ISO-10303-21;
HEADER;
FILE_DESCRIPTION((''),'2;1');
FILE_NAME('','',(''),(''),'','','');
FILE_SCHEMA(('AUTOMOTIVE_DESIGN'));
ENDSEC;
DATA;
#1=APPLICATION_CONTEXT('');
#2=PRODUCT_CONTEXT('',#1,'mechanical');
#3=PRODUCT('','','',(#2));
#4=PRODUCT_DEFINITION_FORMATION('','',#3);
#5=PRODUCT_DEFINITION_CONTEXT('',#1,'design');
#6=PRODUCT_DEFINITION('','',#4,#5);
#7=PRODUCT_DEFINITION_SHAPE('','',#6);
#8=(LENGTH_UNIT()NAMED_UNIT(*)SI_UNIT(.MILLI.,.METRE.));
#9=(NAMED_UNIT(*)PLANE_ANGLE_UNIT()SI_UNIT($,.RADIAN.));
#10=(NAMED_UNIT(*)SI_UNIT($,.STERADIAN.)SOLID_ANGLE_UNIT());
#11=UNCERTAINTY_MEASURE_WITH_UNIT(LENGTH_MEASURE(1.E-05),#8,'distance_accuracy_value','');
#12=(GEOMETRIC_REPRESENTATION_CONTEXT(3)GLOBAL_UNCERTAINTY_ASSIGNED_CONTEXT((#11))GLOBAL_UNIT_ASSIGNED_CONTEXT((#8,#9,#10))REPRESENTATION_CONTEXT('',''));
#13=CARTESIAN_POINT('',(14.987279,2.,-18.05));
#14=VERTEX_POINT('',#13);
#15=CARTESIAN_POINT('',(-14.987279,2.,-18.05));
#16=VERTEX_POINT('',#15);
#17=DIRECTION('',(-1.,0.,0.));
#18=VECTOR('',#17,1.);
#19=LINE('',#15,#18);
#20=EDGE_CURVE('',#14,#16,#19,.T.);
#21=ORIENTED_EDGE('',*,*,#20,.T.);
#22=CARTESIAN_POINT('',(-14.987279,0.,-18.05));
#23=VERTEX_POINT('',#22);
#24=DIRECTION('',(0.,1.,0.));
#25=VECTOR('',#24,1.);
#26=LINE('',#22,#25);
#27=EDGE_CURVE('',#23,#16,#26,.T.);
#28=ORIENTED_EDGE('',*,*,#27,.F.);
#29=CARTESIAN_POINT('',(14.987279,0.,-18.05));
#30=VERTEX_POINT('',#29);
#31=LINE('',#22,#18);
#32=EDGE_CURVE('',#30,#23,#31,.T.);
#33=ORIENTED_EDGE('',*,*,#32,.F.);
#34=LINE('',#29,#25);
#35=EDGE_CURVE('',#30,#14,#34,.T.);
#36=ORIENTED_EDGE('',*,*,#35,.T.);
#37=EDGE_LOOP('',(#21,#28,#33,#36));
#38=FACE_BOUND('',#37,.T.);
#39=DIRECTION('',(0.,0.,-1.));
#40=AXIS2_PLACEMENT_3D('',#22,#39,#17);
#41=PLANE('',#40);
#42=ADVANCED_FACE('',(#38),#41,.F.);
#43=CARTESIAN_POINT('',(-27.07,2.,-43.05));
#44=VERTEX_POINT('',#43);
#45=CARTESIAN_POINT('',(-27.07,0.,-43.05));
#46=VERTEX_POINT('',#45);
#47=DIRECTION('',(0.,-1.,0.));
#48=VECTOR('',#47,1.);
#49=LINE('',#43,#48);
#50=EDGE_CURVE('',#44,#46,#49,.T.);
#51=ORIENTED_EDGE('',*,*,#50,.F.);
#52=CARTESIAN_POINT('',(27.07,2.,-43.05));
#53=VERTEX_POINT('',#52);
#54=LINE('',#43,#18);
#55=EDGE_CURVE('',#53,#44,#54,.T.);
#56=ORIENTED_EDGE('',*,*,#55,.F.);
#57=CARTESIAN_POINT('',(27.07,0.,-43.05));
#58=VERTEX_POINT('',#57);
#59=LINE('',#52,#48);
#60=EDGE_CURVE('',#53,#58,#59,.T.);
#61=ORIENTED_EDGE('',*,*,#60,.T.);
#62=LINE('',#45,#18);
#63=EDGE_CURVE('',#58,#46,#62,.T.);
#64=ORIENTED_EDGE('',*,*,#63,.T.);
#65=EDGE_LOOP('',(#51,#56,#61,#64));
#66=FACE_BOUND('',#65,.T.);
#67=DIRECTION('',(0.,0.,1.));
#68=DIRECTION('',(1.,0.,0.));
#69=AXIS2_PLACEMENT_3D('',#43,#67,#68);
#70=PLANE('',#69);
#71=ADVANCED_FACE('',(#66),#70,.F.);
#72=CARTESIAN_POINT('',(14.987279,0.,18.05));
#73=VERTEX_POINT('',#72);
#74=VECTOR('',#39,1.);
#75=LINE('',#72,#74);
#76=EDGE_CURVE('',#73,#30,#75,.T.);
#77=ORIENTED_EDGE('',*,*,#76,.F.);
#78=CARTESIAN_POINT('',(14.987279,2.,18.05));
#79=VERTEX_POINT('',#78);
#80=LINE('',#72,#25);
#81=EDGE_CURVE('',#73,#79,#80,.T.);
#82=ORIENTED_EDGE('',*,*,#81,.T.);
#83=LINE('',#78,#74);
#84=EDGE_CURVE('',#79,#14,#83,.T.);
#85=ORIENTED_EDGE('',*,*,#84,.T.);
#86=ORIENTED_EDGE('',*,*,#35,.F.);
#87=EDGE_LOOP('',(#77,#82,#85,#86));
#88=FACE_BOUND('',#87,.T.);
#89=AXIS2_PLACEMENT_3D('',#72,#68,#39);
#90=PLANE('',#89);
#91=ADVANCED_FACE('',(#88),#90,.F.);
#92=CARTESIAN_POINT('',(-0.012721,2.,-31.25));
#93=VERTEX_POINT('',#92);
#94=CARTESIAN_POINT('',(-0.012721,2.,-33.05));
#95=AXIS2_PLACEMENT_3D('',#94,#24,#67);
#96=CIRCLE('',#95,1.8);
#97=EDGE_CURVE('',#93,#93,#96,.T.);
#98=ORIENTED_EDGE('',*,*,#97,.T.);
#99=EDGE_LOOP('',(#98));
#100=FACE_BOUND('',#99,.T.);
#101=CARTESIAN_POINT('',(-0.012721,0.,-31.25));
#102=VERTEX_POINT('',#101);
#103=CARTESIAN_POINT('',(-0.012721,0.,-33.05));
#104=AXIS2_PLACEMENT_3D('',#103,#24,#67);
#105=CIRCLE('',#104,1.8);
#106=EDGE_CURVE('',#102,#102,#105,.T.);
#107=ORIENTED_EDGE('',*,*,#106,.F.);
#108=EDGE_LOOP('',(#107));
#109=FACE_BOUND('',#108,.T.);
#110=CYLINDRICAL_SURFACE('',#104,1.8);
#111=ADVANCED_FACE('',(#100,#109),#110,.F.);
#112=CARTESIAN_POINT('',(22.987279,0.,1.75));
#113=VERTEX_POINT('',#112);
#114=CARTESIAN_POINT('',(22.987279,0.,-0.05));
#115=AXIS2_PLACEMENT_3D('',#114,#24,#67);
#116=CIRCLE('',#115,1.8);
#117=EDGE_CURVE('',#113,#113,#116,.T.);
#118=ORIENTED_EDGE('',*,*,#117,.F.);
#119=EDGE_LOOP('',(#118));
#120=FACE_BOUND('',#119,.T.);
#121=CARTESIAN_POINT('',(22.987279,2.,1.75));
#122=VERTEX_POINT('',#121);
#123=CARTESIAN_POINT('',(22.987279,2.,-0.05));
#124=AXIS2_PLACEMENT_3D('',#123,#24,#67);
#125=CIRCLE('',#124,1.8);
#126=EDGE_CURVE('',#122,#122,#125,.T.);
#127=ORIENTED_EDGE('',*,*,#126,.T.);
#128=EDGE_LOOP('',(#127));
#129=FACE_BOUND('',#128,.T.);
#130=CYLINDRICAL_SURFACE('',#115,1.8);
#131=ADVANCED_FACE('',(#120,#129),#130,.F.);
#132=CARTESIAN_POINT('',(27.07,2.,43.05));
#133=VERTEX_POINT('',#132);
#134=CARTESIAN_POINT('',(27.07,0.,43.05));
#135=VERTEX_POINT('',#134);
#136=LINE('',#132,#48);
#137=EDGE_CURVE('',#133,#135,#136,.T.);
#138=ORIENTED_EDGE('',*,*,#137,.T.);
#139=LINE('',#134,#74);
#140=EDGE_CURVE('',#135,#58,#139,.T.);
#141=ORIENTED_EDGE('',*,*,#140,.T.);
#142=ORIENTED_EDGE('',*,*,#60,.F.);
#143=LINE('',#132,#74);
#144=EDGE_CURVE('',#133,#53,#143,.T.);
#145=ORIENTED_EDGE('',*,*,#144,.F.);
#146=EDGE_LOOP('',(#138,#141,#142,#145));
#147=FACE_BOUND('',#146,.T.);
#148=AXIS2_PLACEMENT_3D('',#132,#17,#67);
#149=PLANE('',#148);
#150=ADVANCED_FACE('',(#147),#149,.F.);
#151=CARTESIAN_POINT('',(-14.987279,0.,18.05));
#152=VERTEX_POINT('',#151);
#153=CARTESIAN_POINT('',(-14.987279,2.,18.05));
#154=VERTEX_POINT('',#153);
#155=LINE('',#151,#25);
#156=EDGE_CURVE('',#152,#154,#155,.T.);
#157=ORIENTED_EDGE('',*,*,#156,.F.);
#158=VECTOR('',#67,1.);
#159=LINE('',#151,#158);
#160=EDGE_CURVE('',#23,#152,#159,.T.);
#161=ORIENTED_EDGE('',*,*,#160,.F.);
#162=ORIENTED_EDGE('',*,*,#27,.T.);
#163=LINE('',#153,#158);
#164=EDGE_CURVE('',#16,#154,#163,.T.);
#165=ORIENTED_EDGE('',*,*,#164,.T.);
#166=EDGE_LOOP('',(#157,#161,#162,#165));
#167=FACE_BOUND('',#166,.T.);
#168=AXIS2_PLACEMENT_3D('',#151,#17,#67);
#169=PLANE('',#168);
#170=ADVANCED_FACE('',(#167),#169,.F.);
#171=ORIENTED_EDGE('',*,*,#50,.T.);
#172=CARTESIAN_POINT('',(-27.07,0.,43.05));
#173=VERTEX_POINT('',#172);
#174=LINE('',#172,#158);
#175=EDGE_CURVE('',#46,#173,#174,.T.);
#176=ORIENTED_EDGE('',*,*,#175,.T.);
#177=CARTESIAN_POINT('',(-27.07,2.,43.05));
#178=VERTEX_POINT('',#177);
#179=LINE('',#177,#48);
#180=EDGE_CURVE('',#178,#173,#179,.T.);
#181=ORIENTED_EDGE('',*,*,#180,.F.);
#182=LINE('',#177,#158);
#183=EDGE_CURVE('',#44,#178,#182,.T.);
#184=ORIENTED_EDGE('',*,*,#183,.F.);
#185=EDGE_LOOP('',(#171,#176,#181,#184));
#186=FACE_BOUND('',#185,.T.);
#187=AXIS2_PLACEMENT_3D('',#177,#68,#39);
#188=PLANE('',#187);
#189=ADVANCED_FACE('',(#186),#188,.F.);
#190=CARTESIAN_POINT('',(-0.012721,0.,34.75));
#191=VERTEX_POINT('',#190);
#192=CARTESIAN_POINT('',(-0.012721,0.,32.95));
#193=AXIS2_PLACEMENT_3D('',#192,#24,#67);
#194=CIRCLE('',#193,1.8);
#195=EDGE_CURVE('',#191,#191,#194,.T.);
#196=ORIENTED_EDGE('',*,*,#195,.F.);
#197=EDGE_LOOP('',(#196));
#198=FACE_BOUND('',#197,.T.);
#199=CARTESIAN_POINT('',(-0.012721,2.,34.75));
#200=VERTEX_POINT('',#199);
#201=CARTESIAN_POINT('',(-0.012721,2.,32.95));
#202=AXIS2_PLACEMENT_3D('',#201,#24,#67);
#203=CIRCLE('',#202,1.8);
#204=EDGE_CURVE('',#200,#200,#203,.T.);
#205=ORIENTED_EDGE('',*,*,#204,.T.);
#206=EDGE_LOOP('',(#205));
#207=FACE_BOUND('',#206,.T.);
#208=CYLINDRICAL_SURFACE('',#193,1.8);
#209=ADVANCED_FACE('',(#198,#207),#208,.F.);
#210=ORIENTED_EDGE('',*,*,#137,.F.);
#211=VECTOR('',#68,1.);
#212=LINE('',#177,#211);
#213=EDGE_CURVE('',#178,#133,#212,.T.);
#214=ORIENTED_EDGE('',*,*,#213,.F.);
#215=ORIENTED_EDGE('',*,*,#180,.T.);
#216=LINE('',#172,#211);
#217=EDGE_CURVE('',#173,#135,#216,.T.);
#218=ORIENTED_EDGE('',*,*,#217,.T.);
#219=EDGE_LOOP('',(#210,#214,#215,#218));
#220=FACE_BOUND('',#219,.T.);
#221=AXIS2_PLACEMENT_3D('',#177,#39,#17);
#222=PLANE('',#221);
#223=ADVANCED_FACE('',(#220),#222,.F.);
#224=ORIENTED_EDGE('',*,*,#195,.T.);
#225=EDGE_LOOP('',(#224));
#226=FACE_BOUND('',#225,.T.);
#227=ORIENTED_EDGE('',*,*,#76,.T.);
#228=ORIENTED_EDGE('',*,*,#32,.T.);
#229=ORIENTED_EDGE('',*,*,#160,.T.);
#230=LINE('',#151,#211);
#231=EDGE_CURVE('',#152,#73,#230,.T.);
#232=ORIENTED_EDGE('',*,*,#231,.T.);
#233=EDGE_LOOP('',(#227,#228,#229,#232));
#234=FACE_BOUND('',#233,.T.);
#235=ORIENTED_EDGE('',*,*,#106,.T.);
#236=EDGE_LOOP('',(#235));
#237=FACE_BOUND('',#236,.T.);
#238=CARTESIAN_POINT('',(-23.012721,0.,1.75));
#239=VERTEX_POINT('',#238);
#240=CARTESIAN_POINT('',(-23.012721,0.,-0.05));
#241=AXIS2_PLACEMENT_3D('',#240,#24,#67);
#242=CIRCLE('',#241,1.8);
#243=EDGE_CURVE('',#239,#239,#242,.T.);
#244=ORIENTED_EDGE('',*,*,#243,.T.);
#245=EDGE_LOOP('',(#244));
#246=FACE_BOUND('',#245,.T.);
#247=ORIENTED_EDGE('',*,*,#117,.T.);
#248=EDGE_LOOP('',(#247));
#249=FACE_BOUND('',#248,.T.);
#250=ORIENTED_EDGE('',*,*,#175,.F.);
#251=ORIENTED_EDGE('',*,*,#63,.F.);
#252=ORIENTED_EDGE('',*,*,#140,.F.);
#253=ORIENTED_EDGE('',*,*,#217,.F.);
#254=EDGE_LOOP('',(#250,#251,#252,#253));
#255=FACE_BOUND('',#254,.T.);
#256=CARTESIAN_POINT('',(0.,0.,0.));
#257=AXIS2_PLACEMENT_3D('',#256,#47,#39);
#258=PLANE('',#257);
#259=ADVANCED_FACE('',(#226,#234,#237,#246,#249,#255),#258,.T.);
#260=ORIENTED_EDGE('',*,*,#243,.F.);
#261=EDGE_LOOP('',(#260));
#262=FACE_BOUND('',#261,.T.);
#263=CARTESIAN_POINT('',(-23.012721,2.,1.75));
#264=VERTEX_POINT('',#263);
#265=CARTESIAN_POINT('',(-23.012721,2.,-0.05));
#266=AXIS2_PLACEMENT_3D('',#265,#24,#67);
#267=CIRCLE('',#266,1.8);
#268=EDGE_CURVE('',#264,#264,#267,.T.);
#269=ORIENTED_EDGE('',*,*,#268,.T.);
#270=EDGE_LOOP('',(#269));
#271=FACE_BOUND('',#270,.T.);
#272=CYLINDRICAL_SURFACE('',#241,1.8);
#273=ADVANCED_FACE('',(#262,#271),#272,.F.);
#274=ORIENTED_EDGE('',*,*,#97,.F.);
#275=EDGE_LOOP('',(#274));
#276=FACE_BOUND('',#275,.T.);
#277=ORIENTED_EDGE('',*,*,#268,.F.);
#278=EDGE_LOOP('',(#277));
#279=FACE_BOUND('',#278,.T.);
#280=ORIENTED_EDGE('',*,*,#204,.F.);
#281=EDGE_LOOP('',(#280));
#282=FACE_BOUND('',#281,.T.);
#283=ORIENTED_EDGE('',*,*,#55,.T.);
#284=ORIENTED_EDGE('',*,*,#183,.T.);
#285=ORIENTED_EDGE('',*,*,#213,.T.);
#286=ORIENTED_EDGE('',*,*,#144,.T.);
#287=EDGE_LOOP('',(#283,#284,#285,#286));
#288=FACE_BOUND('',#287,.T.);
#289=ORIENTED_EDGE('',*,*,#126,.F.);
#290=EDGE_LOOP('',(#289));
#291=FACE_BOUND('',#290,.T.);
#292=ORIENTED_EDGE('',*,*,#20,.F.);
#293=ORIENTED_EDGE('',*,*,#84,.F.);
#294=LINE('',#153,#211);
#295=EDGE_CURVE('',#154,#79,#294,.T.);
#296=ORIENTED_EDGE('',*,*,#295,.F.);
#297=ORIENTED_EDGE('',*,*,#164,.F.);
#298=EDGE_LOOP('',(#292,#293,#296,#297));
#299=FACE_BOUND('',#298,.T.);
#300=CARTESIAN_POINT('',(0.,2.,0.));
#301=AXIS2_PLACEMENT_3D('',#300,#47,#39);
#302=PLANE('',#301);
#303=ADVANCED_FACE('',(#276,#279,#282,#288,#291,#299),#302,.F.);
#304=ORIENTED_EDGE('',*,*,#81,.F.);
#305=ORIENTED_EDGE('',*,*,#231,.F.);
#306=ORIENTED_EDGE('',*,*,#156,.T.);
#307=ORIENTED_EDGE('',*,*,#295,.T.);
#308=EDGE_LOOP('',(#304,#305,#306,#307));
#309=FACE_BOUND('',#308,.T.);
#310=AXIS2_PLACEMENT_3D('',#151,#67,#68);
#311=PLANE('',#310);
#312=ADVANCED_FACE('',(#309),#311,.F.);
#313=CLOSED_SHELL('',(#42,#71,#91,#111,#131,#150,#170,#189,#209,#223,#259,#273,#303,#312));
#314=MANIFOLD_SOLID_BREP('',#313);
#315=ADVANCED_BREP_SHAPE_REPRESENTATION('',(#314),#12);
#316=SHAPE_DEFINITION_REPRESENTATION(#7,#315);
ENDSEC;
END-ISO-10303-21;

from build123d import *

# Parameters (mm, degrees)
SKETCH1_W           = 54.14
SKETCH1_H           = 86.1
BOSS_EXTRUDE1_DEPTH = 2
SKETCH3_R           = 1.8
SKETCH3_W           = 29.974558808
SKETCH3_H           = 36.1
CUT_EXTRUDE1_DEPTH  = 2


with BuildPart() as part:
    # Sketch1 → Boss-Extrude1 (new body)
    with BuildSketch(Plane(origin=(0, 0, 0), x_dir=(1, 0, 0), z_dir=(0, 1, 0))):
        Rectangle(SKETCH1_W, SKETCH1_H)
    extrude(amount=BOSS_EXTRUDE1_DEPTH)

    # Sketch3 → Cut-Extrude1 (cut)
    with BuildSketch(Plane(origin=(0, 2, 0), x_dir=(1, 0, 0), z_dir=(0, 1, 0))):
        with Locations(Location((22.987279404, 0.05, 0), (0, 0, 270))):
            Circle(SKETCH3_R)
        with Locations(Location((-0.012720596, 33.05, 0), (0, 0, 270))):
            Circle(SKETCH3_R)
        with Locations(Location((-0.012720596, -32.95, 0), (0, 0, 270))):
            Circle(SKETCH3_R)
        with Locations(Location((-23.012720596, 0.05, 0), (0, 0, 270))):
            Circle(SKETCH3_R)
        Rectangle(SKETCH3_W, SKETCH3_H)
    extrude(amount=-CUT_EXTRUDE1_DEPTH, mode=Mode.SUBTRACT)


solid = part.part
